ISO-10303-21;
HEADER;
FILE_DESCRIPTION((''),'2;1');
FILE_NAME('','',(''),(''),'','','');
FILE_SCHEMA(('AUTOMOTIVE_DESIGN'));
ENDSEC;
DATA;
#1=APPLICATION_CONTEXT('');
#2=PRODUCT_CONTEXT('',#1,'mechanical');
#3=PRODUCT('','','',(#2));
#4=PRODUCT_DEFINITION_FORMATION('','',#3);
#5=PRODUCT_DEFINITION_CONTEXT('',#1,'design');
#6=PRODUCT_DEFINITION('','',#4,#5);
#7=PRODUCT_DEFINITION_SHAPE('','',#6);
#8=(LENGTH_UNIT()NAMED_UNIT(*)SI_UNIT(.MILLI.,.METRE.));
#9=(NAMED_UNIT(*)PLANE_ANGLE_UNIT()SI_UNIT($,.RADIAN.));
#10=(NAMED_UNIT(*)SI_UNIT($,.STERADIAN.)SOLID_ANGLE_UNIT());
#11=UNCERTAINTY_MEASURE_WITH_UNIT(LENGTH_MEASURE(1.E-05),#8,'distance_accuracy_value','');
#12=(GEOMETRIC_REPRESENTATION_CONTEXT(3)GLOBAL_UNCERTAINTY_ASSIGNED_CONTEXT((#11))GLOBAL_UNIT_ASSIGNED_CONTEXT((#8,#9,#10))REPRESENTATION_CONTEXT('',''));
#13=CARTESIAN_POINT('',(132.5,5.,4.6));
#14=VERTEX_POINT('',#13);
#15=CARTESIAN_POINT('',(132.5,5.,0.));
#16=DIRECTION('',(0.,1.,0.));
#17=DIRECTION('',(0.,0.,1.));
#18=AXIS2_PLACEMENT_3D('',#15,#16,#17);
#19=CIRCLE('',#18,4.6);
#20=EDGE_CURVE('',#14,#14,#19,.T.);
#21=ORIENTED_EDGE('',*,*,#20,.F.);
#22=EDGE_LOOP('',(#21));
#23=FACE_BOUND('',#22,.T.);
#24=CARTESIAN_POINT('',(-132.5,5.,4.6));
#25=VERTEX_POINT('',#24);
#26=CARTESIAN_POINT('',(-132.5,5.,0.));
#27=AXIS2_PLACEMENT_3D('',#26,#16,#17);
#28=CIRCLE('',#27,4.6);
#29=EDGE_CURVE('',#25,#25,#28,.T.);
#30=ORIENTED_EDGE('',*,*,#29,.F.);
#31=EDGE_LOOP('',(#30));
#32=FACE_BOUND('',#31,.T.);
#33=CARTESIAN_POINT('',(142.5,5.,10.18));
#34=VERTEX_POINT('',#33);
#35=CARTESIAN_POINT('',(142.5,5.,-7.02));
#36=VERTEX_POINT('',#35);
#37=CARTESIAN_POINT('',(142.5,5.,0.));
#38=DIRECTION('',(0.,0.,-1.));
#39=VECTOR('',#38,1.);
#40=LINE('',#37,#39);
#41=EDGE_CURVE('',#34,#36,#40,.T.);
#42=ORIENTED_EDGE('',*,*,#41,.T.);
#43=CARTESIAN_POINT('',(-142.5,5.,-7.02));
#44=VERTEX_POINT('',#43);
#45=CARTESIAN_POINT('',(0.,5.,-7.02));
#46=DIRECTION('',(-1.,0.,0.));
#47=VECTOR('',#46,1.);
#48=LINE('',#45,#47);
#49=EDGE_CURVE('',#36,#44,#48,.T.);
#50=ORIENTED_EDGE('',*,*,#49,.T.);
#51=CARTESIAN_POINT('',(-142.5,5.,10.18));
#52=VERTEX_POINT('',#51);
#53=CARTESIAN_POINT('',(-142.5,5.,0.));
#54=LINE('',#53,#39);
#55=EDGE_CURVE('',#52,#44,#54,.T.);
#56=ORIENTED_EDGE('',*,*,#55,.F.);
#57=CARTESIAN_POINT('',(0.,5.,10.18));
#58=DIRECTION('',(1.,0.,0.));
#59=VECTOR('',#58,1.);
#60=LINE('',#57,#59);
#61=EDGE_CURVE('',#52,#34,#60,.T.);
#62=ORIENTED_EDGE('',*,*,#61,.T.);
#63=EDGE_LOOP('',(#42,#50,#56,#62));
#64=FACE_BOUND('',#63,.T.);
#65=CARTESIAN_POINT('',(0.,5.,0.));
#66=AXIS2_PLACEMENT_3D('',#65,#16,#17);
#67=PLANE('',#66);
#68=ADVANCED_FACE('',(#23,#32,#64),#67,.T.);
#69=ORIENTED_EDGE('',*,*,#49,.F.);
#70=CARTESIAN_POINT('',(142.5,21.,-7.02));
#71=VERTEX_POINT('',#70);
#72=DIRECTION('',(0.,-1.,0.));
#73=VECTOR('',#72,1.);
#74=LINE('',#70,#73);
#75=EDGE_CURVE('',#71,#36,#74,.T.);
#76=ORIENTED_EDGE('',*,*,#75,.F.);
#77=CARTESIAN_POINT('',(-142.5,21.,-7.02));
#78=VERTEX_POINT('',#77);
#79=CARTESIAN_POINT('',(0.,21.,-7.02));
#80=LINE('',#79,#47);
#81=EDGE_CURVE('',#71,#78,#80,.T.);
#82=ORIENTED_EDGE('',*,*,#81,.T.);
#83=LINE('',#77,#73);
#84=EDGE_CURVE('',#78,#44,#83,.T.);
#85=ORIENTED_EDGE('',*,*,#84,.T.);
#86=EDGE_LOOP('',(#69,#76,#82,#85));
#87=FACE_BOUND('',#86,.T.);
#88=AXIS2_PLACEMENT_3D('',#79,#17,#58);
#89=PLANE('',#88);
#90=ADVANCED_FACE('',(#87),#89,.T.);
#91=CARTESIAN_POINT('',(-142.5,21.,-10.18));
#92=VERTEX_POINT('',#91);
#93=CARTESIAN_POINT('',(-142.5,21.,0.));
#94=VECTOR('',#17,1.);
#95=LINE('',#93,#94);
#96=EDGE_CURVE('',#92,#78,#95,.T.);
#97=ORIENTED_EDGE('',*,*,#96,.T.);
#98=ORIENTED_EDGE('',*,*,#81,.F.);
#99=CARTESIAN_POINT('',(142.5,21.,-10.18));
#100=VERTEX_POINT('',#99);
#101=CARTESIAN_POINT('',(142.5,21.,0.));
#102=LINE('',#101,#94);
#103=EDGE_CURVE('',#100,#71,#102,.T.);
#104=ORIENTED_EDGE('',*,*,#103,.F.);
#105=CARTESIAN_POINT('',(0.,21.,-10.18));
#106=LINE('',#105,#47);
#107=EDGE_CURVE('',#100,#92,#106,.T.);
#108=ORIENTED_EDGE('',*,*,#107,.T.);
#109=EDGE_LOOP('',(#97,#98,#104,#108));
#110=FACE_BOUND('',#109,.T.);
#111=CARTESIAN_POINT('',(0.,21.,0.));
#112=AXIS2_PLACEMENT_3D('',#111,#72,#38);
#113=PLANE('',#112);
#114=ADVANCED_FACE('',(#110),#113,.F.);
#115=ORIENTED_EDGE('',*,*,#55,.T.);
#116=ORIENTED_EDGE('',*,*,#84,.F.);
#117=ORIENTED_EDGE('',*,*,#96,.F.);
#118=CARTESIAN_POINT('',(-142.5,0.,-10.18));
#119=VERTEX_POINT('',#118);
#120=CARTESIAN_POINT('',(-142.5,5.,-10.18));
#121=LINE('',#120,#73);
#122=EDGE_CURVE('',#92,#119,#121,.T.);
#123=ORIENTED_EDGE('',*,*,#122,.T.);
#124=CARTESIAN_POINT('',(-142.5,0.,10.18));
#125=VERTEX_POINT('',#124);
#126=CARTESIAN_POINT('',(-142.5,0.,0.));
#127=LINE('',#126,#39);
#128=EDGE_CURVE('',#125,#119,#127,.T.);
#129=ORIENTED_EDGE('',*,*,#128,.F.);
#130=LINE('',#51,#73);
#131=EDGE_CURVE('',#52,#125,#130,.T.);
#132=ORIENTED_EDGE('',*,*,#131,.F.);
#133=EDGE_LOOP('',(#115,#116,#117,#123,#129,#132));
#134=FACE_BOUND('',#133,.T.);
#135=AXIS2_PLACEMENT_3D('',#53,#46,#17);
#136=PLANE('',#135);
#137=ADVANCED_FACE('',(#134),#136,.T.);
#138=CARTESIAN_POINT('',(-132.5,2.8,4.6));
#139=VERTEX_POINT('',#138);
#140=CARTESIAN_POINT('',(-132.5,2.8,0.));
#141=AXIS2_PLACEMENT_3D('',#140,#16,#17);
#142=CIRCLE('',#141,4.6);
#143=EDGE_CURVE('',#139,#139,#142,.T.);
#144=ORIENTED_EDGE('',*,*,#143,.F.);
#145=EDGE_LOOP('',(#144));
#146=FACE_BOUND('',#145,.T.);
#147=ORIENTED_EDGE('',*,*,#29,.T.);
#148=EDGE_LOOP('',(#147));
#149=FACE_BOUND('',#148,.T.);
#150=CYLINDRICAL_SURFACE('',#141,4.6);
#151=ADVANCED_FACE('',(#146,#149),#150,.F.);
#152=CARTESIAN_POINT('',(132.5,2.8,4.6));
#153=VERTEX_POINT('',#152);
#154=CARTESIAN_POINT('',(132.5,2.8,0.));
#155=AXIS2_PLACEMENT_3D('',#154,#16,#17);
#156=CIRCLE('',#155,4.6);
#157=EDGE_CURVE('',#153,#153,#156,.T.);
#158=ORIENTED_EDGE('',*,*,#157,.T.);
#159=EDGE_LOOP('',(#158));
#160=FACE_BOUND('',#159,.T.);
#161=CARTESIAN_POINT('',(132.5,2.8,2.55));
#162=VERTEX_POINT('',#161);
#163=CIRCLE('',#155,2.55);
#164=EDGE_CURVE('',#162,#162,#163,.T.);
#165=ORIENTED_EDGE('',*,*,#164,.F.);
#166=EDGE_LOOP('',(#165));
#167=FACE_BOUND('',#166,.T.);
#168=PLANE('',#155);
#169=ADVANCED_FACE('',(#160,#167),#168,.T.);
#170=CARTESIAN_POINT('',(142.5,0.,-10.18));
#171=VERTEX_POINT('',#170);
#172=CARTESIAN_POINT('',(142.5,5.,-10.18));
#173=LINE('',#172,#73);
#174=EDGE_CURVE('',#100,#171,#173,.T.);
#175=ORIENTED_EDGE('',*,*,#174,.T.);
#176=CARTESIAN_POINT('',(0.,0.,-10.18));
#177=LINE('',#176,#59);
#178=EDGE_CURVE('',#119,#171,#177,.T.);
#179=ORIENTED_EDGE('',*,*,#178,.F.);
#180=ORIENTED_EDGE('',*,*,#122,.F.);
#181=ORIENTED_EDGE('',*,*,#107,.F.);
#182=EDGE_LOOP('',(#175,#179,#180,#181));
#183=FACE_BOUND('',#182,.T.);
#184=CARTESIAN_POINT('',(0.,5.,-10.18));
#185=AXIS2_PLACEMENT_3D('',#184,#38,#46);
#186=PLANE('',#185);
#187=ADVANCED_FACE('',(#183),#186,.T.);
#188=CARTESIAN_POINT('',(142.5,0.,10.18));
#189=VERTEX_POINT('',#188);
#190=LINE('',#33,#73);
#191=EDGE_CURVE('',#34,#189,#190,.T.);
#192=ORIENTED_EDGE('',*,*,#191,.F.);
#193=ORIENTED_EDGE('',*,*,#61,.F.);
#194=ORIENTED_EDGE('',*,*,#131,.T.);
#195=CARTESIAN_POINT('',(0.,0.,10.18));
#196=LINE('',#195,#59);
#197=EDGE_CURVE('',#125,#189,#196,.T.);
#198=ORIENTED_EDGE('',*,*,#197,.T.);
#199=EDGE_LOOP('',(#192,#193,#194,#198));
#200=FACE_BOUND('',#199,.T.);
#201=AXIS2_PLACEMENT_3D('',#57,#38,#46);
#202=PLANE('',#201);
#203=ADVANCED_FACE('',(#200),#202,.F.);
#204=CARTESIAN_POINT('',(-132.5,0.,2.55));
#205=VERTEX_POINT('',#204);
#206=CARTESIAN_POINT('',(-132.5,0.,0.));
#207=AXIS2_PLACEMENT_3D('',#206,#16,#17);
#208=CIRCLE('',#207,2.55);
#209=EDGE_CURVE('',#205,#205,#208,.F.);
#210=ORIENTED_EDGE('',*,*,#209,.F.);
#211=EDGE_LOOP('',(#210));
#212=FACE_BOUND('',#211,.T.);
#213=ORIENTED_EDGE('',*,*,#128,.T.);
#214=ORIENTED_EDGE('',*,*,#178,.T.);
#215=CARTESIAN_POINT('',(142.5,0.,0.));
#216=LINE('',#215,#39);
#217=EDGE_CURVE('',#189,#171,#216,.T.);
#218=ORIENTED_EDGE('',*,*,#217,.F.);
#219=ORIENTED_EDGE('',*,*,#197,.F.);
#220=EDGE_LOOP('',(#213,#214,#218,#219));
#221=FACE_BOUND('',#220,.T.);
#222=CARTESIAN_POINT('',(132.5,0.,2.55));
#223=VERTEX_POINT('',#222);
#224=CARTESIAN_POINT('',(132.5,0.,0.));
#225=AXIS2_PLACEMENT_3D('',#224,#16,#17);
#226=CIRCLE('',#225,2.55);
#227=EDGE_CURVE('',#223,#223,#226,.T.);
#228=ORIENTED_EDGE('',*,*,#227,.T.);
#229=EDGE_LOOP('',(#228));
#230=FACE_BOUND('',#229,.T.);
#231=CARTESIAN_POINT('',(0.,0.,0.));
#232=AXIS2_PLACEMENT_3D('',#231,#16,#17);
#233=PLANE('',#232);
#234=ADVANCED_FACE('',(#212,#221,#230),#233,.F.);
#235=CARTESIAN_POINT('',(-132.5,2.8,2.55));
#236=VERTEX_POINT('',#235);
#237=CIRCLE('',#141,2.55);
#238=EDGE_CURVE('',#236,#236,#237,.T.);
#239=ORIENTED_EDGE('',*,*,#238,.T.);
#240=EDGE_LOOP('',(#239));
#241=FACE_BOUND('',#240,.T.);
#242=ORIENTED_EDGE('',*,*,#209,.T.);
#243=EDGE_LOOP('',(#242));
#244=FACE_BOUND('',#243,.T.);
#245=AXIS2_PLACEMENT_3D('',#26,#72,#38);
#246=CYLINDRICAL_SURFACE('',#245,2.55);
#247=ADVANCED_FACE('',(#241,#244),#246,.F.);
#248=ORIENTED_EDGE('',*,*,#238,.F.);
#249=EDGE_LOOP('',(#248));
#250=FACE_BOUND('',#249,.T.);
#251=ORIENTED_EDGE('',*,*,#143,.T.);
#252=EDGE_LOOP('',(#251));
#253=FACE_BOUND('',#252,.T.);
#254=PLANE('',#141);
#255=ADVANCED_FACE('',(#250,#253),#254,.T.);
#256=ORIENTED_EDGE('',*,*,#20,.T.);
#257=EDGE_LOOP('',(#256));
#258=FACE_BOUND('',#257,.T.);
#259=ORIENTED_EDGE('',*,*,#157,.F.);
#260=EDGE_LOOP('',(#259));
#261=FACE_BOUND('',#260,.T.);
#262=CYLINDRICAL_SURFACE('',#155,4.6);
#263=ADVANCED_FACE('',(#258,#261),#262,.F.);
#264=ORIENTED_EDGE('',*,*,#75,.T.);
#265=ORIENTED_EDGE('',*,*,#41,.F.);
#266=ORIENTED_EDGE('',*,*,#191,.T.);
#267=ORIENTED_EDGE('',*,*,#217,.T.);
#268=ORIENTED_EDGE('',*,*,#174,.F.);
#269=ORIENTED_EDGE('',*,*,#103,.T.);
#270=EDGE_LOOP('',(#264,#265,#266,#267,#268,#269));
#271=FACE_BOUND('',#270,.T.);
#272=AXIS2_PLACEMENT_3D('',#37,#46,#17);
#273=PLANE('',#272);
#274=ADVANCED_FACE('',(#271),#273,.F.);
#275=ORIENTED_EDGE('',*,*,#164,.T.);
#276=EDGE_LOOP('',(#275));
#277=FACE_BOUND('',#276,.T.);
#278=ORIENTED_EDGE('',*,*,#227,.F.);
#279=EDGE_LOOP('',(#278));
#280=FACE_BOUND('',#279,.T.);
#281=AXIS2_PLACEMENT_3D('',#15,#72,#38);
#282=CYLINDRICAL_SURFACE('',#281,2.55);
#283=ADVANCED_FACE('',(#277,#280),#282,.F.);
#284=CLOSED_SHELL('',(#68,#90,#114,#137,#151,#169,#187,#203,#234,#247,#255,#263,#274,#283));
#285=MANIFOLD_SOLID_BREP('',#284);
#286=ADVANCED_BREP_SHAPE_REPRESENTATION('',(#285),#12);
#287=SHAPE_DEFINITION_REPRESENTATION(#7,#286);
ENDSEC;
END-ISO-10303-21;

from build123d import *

# Parameters (mm, degrees)
SKETCH1_W           = 285
SKETCH1_H           = 17.2
SKETCH1_R           = 4.6
SKETCH1_H_2         = 3.16
SKETCH1_R_2         = 2.55
BOSS_EXTRUDE1_DEPTH = 5
BOSS_EXTRUDE2_START = 5
SKETCH1_3_W         = 285
SKETCH1_3_H         = 3.16
BOSS_EXTRUDE2_DEPTH = 16
CUT_EXTRUDE1_START  = 2.8
SKETCH1_5_R         = 4.6
SKETCH1_5_R_2       = 2.55
CUT_EXTRUDE1_DEPTH  = 2.2


with BuildPart() as part:
    # Sketch1 → Boss-Extrude1 (new body)
    # profile 1 of 4: a face of its own
    with BuildSketch(Plane(origin=(0, 0, 0), x_dir=(1, 0, 0), z_dir=(0, 1, 0))):
        with Locations((0, -1.58)):
            Rectangle(SKETCH1_W, SKETCH1_H)
        with Locations((-132.5, 0)):
            Circle(SKETCH1_R, mode=Mode.SUBTRACT)
        with Locations((132.5, 0)):
            Circle(SKETCH1_R, mode=Mode.SUBTRACT)
    # profile 2 of 4: a face of its own
    with BuildSketch(Plane(origin=(0, 0, 0), x_dir=(1, 0, 0), z_dir=(0, 1, 0))):
        with Locations((0, 8.6)):
            Rectangle(SKETCH1_W, SKETCH1_H_2)
    # profile 3 of 4: a face of its own
    with BuildSketch(Plane(origin=(0, 0, 0), x_dir=(1, 0, 0), z_dir=(0, 1, 0))):
        with Locations((-132.5, 0)):
            Circle(SKETCH1_R)
        with Locations(Location((-132.5, 0, 0), (0, 0, 270))):
            Circle(SKETCH1_R_2, mode=Mode.SUBTRACT)
    # profile 4 of 4: a face of its own
    with BuildSketch(Plane(origin=(0, 0, 0), x_dir=(1, 0, 0), z_dir=(0, 1, 0))):
        with Locations((132.5, 0)):
            Circle(SKETCH1_R)
        with Locations(Location((132.5, 0, 0), (0, 0, 270))):
            Circle(SKETCH1_R_2, mode=Mode.SUBTRACT)
    extrude(amount=BOSS_EXTRUDE1_DEPTH)

    # Sketch1<3> → Boss-Extrude2 (add)
    with BuildSketch(Plane(origin=(0, 0, 0), x_dir=(1, 0, 0), z_dir=(0, 1, 0)).offset(BOSS_EXTRUDE2_START)):
        with Locations((0, 8.6)):
            Rectangle(SKETCH1_3_W, SKETCH1_3_H)
    extrude(amount=BOSS_EXTRUDE2_DEPTH)

    # Sketch1<5> → Cut-Extrude1 (cut)
    # profile 1 of 2: a face of its own
    with BuildSketch(Plane(origin=(0, 0, 0), x_dir=(1, 0, 0), z_dir=(0, 1, 0)).offset(CUT_EXTRUDE1_START)):
        with Locations(Location((-132.5, 0, 0), (0, 0, 270))):
            Circle(SKETCH1_5_R)
        with Locations(Location((-132.5, 0, 0), (0, 0, 270))):
            Circle(SKETCH1_5_R_2, mode=Mode.SUBTRACT)
    # profile 2 of 2: a face of its own
    with BuildSketch(Plane(origin=(0, 0, 0), x_dir=(1, 0, 0), z_dir=(0, 1, 0)).offset(CUT_EXTRUDE1_START)):
        with Locations(Location((132.5, 0, 0), (0, 0, 270))):
            Circle(SKETCH1_5_R)
        with Locations(Location((132.5, 0, 0), (0, 0, 270))):
            Circle(SKETCH1_5_R_2, mode=Mode.SUBTRACT)
    extrude(amount=CUT_EXTRUDE1_DEPTH, mode=Mode.SUBTRACT)


solid = part.part
